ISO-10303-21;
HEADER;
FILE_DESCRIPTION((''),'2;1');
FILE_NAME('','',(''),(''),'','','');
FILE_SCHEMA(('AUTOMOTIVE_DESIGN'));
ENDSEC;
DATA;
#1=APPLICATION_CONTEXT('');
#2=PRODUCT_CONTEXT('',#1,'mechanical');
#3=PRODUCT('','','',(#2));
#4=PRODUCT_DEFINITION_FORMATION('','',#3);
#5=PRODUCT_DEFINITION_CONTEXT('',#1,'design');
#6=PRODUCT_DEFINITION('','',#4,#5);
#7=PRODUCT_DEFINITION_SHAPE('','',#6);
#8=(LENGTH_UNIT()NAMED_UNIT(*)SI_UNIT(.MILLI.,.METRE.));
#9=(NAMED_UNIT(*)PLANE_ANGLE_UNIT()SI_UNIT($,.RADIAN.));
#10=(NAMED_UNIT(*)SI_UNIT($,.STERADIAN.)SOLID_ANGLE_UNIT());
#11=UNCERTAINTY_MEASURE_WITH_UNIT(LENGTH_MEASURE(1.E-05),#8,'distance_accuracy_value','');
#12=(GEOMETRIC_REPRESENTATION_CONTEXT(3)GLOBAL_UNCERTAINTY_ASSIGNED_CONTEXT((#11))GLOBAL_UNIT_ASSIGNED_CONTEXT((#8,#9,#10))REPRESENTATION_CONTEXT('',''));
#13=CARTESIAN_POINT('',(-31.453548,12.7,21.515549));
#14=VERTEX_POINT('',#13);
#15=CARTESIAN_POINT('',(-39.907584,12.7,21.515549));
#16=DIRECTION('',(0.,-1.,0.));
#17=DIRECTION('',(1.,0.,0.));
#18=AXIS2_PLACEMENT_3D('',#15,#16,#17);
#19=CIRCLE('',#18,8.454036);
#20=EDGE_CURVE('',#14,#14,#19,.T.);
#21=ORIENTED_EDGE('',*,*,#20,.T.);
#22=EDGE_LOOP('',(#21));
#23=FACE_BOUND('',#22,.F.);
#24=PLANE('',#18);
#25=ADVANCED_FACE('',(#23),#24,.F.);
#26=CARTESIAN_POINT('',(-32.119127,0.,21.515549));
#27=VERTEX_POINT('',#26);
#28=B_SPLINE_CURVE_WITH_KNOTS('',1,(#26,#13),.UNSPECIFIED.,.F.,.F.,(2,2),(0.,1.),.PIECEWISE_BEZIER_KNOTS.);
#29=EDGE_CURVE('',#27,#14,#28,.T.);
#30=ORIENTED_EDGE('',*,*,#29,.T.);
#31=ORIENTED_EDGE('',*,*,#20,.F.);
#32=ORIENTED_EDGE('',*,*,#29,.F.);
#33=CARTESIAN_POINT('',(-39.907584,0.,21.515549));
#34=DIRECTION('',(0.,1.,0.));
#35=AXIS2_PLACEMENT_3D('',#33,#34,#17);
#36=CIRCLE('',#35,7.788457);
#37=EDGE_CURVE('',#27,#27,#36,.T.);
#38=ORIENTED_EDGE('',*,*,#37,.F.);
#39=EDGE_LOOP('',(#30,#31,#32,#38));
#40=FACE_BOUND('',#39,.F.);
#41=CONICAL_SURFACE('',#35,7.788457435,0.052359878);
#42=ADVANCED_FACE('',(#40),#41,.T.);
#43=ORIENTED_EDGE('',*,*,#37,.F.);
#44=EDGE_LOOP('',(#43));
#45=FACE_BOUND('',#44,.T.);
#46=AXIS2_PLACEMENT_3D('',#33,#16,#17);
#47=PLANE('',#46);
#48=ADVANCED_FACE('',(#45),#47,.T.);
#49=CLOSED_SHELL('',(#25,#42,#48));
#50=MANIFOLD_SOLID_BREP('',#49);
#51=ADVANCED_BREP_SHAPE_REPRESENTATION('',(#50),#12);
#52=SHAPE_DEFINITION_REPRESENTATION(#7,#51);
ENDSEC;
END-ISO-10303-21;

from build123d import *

# Parameters (mm, degrees)
F0_R     = 7.7884574351
F1_DEPTH = 12.7
F1_TAPER = -3


with BuildPart() as f1:
    # F0 (on Front) → F1 (new body)
    with BuildSketch(Plane.XZ):
        with Locations((-39.9075839422, 21.5155493358)):
            Circle(F0_R)
    extrude(amount=-F1_DEPTH, taper=F1_TAPER)


solid = f1.part
